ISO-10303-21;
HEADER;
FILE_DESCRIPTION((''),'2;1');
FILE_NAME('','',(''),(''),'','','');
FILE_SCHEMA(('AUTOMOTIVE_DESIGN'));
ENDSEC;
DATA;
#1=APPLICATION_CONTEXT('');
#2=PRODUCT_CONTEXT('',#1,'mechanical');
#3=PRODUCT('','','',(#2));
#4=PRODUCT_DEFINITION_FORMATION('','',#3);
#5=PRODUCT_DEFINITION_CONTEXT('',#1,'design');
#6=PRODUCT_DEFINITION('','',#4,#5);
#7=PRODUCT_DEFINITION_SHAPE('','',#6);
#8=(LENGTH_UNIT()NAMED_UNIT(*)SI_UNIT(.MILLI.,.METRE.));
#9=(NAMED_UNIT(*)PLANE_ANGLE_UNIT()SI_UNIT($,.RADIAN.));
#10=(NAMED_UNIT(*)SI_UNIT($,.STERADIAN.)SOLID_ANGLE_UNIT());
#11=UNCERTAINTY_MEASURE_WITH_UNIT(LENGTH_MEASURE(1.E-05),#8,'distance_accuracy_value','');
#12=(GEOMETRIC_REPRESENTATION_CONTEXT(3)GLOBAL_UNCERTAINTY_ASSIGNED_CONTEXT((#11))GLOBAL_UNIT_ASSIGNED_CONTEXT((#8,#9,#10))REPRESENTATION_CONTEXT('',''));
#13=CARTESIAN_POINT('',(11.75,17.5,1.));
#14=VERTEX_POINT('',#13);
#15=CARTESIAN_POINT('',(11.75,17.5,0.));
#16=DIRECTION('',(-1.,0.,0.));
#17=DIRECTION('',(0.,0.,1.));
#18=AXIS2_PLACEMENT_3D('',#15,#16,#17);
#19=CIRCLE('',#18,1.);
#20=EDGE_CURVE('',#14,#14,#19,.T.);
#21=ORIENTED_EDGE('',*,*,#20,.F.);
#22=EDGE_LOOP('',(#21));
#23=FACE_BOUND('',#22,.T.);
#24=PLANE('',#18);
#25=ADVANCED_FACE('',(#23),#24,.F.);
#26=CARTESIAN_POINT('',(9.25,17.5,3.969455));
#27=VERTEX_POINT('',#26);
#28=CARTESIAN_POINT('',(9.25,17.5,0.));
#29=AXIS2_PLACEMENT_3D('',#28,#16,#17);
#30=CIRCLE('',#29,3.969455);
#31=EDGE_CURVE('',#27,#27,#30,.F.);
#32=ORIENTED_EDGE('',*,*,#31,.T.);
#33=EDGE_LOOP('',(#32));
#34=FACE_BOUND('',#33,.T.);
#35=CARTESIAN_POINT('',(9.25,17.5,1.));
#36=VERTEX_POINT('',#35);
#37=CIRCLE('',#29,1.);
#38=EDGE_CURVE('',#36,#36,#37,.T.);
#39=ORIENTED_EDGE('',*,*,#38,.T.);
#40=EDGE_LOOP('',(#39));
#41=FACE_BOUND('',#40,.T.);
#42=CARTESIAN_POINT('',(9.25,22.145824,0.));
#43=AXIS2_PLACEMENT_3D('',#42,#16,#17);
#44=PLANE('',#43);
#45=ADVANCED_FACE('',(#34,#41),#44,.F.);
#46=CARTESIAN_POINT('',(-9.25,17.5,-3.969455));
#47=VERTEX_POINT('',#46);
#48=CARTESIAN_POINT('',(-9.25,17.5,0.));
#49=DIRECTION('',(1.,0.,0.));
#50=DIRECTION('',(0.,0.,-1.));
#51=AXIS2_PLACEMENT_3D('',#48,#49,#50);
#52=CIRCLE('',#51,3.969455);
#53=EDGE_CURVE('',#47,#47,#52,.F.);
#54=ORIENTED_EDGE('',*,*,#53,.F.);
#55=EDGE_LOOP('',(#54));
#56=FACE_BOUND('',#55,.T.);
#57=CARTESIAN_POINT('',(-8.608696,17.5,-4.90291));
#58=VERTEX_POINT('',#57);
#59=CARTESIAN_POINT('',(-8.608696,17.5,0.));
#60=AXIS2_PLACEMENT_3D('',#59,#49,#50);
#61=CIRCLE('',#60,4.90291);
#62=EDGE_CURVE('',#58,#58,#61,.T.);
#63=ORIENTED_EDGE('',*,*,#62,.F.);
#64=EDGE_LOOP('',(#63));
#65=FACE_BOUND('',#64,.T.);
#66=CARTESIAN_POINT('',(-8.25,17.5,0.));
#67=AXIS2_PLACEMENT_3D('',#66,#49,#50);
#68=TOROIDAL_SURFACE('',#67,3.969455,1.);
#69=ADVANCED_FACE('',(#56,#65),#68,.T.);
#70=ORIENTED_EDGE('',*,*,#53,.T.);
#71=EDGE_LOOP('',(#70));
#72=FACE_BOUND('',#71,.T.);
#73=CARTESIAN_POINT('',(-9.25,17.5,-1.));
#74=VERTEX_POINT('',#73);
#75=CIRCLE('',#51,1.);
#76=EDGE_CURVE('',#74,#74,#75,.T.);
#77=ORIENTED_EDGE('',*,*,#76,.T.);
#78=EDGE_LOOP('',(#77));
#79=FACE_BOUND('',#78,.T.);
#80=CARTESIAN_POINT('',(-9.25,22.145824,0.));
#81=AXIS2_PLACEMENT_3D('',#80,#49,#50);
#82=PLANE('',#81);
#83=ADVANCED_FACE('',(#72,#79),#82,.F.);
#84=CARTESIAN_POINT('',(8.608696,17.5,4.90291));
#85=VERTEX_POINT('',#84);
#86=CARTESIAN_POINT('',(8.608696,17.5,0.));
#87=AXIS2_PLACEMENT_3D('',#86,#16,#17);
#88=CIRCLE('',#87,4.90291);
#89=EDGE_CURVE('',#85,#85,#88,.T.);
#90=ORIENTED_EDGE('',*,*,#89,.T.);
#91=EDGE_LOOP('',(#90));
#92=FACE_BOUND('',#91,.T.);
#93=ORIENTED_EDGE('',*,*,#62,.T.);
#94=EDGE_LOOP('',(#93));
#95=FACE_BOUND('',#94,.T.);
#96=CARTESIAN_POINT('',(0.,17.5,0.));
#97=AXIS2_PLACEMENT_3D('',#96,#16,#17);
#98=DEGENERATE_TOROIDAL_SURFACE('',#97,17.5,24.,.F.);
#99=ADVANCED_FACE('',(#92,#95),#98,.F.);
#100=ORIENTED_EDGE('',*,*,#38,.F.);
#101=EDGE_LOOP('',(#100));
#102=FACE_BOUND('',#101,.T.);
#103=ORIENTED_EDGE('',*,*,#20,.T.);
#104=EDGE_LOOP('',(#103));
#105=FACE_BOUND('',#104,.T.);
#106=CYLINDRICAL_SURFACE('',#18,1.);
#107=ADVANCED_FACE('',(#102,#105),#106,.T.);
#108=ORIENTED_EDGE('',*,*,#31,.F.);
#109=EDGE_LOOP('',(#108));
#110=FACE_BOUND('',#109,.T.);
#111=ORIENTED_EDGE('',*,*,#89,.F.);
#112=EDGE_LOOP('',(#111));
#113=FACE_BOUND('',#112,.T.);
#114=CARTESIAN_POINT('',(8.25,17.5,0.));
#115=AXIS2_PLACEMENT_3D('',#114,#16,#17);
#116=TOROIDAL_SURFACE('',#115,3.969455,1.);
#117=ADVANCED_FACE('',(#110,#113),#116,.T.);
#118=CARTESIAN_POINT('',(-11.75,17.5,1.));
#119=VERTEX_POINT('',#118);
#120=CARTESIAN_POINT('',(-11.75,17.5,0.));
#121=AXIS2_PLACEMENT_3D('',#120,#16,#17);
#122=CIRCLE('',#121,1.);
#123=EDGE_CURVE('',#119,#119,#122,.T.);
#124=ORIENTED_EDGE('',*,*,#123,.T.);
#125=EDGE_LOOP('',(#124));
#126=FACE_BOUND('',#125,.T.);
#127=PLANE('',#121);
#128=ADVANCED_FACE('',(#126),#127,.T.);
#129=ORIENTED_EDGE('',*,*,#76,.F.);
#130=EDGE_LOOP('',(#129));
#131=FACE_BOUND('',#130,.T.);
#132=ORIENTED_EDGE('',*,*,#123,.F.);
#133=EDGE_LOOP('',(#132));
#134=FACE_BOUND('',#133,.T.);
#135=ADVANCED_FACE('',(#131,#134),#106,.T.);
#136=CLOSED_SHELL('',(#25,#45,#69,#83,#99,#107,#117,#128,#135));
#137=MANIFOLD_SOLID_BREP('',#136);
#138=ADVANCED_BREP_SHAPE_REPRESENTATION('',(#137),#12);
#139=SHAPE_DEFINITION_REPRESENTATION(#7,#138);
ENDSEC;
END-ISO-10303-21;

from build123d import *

# Parameters (mm, degrees)
SKETCH_2_R           = 0.75
CUT_EXTRUDE_1_DEPTH  = 31.991934593
FILLET_1_R           = 1
EXTRUDE_2_DEPTH      = 11.75
EXTRUDE_2_DEPTH_BACK = 11.75
SKETCH_4_R           = 1


with BuildPart() as part:
    # Эскиз1 → Повернуть1 (revolve)
    with BuildSketch(Plane.XY, mode=Mode.PRIVATE) as revolve_1_sk:
        with BuildLine():
            Line((-9.25, 22.145823534), (-9.25, 17.5))
            Line((-9.25, 17.5), (9.25, 17.5))
            Line((9.25, 17.5), (9.25, 22.145823534))
            ThreePointArc((9.25, 22.145823534), (0, 24), (-9.25, 22.145823534))
        make_face()
    revolve(revolve_1_sk.sketch.rotate(Axis((-9.25, 17.5, 0), (1, 0, 0)), 90), axis=Axis((-9.25, 17.5, 0), (1, 0, 0)))

    # Эскиз2 → Вырез-Вытянуть1 (cut, through all)
    with BuildSketch(Plane.ZY.offset(9.25)):
        with Locations((0, 17.5)):
            Circle(SKETCH_2_R)
    extrude(amount=-CUT_EXTRUDE_1_DEPTH, mode=Mode.SUBTRACT)

    # Скругление1
    fillet_1_edges = [part.edges().sort_by_distance(p)[0] for p in [
        (9.25, 17.5, -4.645823534),
        (-9.25, 17.5, -4.645823534),
    ]]
    fillet(fillet_1_edges, radius=FILLET_1_R)

    # Эскиз4 → Бобышка-Вытянуть2 (add, two sides: drawn at the far end of the back side and taken through both)
    with BuildSketch(Plane.ZY.offset(-EXTRUDE_2_DEPTH_BACK)):
        with Locations((0, 17.5)):
            Circle(SKETCH_4_R)
    extrude(amount=EXTRUDE_2_DEPTH + EXTRUDE_2_DEPTH_BACK)


solid = part.part
